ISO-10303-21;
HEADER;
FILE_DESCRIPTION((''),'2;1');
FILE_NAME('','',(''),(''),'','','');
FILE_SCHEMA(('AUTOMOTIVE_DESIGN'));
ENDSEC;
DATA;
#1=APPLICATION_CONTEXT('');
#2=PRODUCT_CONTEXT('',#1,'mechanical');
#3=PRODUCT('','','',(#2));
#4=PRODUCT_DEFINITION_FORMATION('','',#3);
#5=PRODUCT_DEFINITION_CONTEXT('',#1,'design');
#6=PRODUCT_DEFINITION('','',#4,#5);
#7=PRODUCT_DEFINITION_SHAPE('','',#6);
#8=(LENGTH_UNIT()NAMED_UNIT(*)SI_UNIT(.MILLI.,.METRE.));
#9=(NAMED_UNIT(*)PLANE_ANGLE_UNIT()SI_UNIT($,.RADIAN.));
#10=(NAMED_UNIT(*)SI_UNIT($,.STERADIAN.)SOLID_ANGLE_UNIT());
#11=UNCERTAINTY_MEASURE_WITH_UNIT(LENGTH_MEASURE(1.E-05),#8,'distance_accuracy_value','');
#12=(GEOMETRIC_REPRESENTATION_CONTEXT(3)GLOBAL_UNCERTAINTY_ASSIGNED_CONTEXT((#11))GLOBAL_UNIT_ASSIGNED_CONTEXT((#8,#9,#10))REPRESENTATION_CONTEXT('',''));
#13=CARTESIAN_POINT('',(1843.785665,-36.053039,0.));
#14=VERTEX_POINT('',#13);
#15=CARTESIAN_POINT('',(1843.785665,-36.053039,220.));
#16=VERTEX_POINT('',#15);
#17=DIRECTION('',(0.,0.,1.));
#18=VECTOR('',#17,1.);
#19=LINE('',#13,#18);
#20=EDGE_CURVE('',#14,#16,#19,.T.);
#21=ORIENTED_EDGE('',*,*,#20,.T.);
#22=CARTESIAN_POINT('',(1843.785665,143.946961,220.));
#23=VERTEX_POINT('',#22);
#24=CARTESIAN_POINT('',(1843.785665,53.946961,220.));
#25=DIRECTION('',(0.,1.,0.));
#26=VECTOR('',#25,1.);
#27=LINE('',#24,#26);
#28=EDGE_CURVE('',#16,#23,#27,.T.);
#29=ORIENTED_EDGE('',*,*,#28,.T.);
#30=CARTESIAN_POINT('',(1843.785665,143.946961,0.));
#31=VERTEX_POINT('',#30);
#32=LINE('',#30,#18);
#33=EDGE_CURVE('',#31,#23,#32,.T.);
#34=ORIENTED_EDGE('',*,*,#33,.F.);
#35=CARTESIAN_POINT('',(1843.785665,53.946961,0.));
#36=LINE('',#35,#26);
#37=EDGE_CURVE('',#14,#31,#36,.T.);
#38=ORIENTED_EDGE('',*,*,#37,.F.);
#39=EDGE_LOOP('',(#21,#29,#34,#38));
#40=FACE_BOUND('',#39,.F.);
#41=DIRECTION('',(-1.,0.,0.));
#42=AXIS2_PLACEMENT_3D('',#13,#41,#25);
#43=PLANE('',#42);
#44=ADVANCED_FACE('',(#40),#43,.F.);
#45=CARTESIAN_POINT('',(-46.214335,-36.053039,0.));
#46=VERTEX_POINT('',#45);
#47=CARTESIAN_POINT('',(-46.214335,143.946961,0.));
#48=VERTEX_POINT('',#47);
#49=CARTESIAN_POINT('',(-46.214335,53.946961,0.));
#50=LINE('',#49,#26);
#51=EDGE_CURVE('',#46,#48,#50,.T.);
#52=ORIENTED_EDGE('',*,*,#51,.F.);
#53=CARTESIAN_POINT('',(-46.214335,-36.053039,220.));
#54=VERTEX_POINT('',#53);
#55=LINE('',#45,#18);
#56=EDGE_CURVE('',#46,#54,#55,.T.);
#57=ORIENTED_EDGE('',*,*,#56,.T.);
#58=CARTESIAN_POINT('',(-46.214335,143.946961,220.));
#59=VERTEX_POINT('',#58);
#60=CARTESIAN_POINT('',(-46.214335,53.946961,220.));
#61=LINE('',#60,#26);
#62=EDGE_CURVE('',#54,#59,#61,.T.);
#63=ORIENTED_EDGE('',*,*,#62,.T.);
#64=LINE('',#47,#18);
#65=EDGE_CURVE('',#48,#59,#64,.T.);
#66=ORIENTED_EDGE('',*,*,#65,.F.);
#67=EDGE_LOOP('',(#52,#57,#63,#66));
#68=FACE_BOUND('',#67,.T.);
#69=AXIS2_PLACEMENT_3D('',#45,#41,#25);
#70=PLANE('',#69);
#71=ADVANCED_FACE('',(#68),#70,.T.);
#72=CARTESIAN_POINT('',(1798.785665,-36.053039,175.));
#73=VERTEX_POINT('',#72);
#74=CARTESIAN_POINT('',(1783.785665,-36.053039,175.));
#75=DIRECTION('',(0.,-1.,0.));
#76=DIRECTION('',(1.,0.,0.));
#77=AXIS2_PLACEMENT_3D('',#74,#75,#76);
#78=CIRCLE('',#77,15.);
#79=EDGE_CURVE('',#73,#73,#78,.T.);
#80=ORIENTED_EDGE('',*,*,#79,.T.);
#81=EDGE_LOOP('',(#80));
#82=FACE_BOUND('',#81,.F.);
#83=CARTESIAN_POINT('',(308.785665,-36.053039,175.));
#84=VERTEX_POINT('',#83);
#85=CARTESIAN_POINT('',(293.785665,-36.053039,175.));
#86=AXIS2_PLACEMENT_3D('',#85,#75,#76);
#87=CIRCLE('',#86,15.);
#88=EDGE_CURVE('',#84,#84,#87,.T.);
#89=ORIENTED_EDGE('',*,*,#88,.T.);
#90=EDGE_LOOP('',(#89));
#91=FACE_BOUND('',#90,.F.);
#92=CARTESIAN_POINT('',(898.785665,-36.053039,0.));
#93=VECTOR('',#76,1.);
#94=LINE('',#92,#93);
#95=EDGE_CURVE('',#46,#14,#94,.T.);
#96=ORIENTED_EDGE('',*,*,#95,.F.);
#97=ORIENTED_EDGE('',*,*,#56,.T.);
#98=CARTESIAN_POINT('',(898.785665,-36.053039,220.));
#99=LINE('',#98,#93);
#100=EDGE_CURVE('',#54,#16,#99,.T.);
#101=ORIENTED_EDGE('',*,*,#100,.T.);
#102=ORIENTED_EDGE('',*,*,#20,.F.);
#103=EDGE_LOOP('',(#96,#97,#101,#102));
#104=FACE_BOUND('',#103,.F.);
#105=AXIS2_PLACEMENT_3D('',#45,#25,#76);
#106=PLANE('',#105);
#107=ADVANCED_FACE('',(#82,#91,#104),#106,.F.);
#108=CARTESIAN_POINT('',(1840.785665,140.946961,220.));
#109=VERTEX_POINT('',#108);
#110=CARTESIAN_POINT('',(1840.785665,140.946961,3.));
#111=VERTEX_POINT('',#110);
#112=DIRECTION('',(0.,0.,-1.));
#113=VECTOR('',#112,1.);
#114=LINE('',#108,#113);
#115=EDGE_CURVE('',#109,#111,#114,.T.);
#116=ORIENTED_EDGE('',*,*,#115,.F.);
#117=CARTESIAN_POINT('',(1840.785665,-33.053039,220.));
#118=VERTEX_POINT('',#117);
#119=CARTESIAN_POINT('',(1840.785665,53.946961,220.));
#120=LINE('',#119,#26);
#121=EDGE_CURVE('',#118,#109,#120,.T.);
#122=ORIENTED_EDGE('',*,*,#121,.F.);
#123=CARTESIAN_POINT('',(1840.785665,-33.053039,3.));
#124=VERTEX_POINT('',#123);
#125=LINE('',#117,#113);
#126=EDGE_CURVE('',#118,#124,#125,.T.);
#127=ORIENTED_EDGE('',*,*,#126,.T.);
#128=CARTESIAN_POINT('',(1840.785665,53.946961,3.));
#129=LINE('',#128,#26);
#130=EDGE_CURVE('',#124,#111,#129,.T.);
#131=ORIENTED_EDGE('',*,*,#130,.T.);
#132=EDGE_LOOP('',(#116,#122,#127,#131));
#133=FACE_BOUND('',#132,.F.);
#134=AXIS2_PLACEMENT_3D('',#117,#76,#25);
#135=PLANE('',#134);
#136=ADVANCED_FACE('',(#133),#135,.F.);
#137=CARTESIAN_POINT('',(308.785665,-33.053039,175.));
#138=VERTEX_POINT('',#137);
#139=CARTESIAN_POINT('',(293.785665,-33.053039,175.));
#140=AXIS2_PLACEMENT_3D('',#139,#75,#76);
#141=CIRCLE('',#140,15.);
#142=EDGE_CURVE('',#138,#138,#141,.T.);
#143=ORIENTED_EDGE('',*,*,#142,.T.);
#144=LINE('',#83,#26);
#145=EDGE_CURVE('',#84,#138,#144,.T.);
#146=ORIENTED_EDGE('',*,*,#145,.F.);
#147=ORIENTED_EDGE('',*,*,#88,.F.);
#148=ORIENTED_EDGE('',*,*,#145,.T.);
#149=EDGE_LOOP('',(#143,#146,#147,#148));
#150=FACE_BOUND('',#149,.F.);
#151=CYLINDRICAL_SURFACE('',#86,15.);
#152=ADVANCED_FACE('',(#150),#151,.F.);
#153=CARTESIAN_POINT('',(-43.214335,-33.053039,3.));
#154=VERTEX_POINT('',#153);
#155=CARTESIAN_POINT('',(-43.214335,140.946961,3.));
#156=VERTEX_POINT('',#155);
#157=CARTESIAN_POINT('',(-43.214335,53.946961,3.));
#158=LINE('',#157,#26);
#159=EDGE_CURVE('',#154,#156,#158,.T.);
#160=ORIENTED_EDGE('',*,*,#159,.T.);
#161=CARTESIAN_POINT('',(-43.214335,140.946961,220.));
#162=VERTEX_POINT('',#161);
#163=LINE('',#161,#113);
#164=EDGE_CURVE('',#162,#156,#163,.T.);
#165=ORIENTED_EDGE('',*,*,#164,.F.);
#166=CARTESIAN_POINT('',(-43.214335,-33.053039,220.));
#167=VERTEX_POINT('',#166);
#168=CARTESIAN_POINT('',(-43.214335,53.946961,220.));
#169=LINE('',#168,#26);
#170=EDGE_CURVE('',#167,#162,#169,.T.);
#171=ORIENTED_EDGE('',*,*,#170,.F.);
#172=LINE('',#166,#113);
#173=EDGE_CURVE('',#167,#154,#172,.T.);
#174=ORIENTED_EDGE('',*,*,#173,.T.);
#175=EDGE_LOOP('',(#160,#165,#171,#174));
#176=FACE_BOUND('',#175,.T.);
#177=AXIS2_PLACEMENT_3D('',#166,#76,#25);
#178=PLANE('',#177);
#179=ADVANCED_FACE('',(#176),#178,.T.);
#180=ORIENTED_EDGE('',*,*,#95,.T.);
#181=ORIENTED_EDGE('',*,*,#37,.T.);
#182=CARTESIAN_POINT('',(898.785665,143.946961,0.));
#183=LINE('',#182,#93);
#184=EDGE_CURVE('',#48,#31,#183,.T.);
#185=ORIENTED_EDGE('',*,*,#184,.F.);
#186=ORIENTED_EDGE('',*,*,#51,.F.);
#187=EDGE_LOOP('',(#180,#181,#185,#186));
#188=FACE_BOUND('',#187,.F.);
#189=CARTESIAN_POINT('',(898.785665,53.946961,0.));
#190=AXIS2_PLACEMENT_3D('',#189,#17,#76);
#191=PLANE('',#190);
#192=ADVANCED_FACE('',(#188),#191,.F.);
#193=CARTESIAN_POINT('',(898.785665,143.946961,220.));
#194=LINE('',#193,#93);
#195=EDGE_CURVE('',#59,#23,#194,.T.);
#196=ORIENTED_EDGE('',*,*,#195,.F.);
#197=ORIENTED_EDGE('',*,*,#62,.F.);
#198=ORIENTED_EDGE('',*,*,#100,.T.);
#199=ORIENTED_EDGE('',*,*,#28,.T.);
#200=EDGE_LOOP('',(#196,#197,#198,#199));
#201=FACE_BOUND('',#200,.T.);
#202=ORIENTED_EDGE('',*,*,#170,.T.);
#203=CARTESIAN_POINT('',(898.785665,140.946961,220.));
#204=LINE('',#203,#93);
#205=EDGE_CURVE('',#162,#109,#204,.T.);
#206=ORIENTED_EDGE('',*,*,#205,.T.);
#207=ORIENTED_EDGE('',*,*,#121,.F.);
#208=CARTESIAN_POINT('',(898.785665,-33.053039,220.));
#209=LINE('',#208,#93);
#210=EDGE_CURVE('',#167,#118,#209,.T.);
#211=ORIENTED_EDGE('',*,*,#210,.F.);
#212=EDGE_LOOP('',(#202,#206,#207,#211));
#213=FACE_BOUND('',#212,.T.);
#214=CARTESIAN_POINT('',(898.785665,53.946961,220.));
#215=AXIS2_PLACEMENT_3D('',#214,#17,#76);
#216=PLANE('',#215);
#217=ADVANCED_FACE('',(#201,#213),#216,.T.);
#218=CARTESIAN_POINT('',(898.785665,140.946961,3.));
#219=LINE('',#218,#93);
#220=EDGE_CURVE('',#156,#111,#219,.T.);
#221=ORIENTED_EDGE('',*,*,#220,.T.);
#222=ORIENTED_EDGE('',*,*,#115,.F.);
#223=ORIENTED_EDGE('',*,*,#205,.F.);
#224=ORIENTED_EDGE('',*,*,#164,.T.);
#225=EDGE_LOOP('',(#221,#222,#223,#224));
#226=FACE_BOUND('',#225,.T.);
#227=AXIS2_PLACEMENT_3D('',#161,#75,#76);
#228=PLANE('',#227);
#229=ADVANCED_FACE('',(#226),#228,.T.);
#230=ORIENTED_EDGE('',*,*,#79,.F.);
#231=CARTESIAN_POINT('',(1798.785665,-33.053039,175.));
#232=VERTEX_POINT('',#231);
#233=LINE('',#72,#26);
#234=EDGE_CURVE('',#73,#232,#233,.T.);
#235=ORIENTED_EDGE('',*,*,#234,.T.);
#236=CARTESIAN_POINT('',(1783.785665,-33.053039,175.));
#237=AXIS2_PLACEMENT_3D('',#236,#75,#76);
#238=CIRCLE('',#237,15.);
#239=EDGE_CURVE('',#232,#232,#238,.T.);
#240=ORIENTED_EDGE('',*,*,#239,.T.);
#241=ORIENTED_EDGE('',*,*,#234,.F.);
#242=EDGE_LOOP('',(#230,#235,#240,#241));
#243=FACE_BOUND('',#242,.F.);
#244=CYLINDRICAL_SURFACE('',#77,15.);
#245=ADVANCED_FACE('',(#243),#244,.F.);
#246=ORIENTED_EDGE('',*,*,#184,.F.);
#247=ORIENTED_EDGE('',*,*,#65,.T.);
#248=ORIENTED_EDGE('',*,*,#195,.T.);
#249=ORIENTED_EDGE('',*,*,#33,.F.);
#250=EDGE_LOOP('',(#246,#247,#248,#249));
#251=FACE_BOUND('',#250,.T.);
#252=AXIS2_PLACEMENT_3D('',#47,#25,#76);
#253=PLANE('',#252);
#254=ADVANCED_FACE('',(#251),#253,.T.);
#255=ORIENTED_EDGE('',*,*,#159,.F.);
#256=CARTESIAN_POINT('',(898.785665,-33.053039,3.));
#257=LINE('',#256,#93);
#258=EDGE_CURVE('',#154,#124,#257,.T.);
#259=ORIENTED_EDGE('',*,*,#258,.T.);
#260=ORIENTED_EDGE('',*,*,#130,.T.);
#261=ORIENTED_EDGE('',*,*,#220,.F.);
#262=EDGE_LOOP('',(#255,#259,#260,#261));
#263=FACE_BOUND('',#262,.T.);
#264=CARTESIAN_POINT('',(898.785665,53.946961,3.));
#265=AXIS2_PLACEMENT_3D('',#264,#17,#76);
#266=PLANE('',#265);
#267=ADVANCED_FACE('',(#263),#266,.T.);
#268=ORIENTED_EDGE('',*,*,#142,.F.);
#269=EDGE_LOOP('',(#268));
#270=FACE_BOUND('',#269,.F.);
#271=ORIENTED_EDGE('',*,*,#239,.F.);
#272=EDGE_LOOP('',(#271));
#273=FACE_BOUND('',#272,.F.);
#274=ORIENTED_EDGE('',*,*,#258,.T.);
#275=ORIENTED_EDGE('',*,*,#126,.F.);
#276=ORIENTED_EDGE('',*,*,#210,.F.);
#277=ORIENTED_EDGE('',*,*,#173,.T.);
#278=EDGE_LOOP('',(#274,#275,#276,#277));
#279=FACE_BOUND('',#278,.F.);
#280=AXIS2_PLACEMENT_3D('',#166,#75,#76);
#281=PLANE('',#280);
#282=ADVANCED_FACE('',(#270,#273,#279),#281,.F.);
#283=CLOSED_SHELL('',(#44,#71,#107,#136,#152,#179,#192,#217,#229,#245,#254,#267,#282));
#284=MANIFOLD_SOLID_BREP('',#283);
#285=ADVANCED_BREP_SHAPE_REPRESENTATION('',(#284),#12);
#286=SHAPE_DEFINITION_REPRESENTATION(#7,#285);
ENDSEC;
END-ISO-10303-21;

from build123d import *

# Parameters (mm, degrees)
F0_W     = 1890
F0_H     = 180
F1_DEPTH = 220
F2_W     = 1884
F2_H     = 174
F3_DEPTH = 217
F4_R     = 15
F5_DEPTH = 3


with BuildPart() as f1:
    # F0 (on Top) → F1 (new body)
    with BuildSketch(Plane.XY):
        with Locations((898.785665, 53.946961)):
            Rectangle(F0_W, F0_H)
    extrude(amount=F1_DEPTH)

    # F2 (on face) → F3 (cut)
    with BuildSketch(Plane.XY.offset(220)):
        with Locations((898.785665, 53.946961)):
            Rectangle(F2_W, F2_H)
    extrude(amount=-F3_DEPTH, mode=Mode.SUBTRACT)

    # F4 (on face) → F5 (cut, through all)
    with BuildSketch(Plane.XZ.offset(36.053039)):
        with Locations((293.785665, 175)):
            Circle(F4_R)
        with Locations((1783.785665, 175)):
            Circle(F4_R)
    extrude(amount=-F5_DEPTH, mode=Mode.SUBTRACT)


solid = f1.part
